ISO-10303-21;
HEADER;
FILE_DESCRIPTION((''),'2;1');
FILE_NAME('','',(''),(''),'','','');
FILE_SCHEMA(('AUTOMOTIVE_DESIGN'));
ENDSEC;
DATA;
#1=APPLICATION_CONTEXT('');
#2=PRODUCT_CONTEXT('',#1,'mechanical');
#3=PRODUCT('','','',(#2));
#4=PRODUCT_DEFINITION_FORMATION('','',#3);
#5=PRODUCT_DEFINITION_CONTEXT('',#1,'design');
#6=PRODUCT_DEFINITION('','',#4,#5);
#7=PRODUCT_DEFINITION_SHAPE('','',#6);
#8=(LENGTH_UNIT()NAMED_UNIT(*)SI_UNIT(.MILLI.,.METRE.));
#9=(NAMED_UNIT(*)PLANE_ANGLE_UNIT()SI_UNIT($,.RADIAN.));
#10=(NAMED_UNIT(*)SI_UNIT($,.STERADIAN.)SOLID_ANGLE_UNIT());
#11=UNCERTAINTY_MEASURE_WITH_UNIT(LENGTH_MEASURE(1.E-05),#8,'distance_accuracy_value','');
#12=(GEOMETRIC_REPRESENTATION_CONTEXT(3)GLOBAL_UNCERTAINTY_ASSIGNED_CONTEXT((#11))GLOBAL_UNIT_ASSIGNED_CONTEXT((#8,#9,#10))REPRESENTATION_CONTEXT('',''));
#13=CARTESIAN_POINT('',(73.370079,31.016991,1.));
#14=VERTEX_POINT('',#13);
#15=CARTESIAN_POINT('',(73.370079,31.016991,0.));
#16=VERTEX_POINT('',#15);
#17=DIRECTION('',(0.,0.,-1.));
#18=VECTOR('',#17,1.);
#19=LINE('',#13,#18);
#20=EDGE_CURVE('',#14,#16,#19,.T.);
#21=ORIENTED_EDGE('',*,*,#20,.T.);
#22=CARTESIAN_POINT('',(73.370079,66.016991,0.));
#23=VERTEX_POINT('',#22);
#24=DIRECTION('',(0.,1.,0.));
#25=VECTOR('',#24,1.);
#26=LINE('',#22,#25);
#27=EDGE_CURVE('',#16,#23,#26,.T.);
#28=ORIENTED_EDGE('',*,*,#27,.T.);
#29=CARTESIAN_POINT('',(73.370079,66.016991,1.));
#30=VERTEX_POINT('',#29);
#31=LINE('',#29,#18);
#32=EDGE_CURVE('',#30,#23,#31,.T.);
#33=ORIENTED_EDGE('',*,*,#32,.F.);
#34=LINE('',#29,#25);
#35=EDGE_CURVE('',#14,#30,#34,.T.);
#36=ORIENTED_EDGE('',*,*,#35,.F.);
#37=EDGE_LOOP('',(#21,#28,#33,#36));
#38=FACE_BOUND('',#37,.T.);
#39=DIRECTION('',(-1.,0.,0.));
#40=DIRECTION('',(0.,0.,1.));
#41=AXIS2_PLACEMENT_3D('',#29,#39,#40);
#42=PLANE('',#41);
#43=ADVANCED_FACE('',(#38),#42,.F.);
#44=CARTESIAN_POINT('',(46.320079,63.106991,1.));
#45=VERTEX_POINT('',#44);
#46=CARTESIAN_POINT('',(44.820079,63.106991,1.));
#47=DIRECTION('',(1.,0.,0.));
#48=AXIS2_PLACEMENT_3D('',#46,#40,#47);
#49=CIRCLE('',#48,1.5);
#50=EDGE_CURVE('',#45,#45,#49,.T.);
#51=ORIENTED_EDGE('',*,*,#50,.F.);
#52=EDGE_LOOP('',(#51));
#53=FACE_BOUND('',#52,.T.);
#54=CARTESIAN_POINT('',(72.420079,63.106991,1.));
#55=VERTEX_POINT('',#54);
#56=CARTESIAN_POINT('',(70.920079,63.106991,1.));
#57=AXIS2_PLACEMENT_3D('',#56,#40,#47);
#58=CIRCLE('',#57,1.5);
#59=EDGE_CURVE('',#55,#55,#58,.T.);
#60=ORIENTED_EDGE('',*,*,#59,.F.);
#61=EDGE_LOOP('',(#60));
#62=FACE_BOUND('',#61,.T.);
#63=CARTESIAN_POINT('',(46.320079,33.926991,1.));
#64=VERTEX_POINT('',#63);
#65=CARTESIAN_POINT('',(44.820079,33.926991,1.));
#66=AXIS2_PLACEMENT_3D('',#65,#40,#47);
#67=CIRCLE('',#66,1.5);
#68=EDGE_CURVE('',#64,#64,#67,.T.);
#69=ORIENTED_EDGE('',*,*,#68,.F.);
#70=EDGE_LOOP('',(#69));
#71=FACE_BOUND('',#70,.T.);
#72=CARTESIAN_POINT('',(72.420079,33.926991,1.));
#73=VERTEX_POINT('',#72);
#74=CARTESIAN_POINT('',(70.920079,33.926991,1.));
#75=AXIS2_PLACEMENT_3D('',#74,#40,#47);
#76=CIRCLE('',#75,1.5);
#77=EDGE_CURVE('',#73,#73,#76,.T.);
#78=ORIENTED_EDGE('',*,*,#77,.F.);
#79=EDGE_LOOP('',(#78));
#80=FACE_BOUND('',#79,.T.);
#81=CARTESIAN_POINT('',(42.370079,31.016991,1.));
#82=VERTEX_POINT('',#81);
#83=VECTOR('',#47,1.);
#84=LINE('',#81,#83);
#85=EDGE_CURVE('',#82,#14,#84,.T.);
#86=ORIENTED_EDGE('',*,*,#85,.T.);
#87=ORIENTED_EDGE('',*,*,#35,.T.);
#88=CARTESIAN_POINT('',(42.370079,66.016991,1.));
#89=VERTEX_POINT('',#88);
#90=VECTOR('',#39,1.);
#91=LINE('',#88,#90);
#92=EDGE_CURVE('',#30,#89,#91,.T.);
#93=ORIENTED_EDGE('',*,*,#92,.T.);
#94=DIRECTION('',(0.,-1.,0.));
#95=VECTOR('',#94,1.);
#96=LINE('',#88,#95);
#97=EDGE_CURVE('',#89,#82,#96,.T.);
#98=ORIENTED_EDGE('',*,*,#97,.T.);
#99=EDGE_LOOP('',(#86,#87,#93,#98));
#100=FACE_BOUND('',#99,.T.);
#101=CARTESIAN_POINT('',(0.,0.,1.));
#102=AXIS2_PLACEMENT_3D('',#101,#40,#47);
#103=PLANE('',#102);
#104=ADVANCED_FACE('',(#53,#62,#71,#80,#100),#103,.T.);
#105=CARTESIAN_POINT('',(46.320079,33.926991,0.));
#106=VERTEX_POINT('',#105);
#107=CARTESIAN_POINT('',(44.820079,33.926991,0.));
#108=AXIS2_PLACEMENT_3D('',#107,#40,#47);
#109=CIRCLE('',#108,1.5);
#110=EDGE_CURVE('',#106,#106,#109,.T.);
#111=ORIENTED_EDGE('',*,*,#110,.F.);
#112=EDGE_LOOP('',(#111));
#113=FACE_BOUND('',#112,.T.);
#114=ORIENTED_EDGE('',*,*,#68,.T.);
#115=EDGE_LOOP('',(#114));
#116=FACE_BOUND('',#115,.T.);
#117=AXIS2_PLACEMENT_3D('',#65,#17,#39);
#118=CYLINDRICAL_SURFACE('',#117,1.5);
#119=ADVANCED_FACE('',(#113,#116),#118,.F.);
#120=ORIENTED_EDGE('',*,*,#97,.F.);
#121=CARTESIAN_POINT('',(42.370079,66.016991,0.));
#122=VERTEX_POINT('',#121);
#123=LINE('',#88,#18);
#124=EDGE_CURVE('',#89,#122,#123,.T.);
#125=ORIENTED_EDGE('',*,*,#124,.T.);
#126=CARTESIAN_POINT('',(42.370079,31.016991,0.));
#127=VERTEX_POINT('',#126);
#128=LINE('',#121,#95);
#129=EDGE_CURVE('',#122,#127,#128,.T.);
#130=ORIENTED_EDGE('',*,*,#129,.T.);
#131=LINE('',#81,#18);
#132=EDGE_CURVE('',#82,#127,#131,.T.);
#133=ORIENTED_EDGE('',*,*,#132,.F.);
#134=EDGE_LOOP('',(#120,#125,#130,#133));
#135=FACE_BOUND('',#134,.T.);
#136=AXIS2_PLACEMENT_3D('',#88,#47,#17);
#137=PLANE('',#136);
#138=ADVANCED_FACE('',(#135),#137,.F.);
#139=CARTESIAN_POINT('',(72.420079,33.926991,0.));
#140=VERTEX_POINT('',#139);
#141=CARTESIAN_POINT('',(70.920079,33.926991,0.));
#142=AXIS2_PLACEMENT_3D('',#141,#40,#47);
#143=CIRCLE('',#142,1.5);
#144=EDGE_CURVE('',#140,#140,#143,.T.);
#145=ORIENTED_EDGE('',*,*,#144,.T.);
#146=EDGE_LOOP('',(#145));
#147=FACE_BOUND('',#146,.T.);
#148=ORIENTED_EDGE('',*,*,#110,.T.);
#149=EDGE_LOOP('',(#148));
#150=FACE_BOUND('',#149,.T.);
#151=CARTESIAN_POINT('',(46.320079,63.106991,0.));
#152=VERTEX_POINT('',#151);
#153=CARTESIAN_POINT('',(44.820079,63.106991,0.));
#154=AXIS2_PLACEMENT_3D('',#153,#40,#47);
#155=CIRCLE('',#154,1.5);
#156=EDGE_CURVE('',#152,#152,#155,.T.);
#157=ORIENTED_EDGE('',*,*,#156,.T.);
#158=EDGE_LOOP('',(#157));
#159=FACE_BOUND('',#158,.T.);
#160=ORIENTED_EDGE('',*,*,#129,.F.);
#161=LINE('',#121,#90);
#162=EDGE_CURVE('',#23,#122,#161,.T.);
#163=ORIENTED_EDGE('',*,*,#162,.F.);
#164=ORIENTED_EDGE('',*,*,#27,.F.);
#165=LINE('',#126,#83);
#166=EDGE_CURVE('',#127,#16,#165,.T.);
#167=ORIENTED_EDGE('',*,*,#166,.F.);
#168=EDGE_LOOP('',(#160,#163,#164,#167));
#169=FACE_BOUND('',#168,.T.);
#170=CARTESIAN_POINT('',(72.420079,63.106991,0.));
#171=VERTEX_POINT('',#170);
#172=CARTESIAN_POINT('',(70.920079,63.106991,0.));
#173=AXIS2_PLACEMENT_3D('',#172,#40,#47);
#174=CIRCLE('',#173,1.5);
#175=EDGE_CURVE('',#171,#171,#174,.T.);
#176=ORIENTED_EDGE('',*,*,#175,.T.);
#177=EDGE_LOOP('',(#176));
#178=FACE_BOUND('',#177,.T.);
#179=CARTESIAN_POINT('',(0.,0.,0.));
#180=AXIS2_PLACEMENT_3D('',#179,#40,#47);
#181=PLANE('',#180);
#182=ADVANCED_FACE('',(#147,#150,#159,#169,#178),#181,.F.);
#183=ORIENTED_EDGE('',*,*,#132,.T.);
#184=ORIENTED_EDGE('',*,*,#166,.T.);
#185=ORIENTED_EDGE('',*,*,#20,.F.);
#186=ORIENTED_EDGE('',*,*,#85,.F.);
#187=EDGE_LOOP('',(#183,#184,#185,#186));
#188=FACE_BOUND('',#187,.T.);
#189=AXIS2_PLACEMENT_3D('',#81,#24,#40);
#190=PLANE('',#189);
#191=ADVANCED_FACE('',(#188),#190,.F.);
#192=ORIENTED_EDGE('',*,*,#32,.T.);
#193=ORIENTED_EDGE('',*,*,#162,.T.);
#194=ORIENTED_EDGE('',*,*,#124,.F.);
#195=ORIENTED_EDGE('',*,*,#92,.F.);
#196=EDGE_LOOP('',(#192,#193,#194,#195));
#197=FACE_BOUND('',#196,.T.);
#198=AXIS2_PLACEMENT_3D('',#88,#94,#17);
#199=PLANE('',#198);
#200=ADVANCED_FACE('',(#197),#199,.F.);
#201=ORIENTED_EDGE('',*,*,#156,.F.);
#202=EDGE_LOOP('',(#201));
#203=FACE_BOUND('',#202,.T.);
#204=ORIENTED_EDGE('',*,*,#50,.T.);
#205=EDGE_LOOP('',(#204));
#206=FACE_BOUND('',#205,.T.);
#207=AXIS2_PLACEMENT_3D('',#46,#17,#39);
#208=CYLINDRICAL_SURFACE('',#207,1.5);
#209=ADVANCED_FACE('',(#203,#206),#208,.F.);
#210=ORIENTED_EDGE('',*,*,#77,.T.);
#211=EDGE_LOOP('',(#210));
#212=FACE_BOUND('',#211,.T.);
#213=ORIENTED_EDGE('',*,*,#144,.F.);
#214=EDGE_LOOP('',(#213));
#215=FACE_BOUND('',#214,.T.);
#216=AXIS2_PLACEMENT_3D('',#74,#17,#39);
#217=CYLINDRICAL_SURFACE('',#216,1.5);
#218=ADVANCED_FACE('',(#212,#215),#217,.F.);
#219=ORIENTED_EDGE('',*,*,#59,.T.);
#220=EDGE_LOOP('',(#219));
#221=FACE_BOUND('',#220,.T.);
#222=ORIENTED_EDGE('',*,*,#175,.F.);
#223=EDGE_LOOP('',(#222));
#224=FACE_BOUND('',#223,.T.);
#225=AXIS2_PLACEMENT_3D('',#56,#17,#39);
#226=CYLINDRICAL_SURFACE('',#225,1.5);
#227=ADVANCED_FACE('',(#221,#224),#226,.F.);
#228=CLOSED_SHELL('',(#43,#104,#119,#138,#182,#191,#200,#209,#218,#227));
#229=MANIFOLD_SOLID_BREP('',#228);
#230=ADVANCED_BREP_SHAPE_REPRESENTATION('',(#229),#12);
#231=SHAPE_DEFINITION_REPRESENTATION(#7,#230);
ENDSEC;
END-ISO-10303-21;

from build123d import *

# Parameters (mm, degrees)
SKETCH1_W           = 31
SKETCH1_H           = 35
SKETCH1_R           = 1.5
BOSS_EXTRUDE1_DEPTH = 1


with BuildPart() as part:
    # Sketch1 → Boss-Extrude1 (new body)
    with BuildSketch(Plane.XY):
        with Locations((57.870079041, 48.516990662)):
            Rectangle(SKETCH1_W, SKETCH1_H)
        with Locations((44.820079041, 63.106990662)):
            Circle(SKETCH1_R, mode=Mode.SUBTRACT)
        with Locations((70.920079041, 63.106990662)):
            Circle(SKETCH1_R, mode=Mode.SUBTRACT)
        with Locations((44.820079041, 33.926990662)):
            Circle(SKETCH1_R, mode=Mode.SUBTRACT)
        with Locations((70.920079041, 33.926990662)):
            Circle(SKETCH1_R, mode=Mode.SUBTRACT)
    extrude(amount=BOSS_EXTRUDE1_DEPTH)


solid = part.part
